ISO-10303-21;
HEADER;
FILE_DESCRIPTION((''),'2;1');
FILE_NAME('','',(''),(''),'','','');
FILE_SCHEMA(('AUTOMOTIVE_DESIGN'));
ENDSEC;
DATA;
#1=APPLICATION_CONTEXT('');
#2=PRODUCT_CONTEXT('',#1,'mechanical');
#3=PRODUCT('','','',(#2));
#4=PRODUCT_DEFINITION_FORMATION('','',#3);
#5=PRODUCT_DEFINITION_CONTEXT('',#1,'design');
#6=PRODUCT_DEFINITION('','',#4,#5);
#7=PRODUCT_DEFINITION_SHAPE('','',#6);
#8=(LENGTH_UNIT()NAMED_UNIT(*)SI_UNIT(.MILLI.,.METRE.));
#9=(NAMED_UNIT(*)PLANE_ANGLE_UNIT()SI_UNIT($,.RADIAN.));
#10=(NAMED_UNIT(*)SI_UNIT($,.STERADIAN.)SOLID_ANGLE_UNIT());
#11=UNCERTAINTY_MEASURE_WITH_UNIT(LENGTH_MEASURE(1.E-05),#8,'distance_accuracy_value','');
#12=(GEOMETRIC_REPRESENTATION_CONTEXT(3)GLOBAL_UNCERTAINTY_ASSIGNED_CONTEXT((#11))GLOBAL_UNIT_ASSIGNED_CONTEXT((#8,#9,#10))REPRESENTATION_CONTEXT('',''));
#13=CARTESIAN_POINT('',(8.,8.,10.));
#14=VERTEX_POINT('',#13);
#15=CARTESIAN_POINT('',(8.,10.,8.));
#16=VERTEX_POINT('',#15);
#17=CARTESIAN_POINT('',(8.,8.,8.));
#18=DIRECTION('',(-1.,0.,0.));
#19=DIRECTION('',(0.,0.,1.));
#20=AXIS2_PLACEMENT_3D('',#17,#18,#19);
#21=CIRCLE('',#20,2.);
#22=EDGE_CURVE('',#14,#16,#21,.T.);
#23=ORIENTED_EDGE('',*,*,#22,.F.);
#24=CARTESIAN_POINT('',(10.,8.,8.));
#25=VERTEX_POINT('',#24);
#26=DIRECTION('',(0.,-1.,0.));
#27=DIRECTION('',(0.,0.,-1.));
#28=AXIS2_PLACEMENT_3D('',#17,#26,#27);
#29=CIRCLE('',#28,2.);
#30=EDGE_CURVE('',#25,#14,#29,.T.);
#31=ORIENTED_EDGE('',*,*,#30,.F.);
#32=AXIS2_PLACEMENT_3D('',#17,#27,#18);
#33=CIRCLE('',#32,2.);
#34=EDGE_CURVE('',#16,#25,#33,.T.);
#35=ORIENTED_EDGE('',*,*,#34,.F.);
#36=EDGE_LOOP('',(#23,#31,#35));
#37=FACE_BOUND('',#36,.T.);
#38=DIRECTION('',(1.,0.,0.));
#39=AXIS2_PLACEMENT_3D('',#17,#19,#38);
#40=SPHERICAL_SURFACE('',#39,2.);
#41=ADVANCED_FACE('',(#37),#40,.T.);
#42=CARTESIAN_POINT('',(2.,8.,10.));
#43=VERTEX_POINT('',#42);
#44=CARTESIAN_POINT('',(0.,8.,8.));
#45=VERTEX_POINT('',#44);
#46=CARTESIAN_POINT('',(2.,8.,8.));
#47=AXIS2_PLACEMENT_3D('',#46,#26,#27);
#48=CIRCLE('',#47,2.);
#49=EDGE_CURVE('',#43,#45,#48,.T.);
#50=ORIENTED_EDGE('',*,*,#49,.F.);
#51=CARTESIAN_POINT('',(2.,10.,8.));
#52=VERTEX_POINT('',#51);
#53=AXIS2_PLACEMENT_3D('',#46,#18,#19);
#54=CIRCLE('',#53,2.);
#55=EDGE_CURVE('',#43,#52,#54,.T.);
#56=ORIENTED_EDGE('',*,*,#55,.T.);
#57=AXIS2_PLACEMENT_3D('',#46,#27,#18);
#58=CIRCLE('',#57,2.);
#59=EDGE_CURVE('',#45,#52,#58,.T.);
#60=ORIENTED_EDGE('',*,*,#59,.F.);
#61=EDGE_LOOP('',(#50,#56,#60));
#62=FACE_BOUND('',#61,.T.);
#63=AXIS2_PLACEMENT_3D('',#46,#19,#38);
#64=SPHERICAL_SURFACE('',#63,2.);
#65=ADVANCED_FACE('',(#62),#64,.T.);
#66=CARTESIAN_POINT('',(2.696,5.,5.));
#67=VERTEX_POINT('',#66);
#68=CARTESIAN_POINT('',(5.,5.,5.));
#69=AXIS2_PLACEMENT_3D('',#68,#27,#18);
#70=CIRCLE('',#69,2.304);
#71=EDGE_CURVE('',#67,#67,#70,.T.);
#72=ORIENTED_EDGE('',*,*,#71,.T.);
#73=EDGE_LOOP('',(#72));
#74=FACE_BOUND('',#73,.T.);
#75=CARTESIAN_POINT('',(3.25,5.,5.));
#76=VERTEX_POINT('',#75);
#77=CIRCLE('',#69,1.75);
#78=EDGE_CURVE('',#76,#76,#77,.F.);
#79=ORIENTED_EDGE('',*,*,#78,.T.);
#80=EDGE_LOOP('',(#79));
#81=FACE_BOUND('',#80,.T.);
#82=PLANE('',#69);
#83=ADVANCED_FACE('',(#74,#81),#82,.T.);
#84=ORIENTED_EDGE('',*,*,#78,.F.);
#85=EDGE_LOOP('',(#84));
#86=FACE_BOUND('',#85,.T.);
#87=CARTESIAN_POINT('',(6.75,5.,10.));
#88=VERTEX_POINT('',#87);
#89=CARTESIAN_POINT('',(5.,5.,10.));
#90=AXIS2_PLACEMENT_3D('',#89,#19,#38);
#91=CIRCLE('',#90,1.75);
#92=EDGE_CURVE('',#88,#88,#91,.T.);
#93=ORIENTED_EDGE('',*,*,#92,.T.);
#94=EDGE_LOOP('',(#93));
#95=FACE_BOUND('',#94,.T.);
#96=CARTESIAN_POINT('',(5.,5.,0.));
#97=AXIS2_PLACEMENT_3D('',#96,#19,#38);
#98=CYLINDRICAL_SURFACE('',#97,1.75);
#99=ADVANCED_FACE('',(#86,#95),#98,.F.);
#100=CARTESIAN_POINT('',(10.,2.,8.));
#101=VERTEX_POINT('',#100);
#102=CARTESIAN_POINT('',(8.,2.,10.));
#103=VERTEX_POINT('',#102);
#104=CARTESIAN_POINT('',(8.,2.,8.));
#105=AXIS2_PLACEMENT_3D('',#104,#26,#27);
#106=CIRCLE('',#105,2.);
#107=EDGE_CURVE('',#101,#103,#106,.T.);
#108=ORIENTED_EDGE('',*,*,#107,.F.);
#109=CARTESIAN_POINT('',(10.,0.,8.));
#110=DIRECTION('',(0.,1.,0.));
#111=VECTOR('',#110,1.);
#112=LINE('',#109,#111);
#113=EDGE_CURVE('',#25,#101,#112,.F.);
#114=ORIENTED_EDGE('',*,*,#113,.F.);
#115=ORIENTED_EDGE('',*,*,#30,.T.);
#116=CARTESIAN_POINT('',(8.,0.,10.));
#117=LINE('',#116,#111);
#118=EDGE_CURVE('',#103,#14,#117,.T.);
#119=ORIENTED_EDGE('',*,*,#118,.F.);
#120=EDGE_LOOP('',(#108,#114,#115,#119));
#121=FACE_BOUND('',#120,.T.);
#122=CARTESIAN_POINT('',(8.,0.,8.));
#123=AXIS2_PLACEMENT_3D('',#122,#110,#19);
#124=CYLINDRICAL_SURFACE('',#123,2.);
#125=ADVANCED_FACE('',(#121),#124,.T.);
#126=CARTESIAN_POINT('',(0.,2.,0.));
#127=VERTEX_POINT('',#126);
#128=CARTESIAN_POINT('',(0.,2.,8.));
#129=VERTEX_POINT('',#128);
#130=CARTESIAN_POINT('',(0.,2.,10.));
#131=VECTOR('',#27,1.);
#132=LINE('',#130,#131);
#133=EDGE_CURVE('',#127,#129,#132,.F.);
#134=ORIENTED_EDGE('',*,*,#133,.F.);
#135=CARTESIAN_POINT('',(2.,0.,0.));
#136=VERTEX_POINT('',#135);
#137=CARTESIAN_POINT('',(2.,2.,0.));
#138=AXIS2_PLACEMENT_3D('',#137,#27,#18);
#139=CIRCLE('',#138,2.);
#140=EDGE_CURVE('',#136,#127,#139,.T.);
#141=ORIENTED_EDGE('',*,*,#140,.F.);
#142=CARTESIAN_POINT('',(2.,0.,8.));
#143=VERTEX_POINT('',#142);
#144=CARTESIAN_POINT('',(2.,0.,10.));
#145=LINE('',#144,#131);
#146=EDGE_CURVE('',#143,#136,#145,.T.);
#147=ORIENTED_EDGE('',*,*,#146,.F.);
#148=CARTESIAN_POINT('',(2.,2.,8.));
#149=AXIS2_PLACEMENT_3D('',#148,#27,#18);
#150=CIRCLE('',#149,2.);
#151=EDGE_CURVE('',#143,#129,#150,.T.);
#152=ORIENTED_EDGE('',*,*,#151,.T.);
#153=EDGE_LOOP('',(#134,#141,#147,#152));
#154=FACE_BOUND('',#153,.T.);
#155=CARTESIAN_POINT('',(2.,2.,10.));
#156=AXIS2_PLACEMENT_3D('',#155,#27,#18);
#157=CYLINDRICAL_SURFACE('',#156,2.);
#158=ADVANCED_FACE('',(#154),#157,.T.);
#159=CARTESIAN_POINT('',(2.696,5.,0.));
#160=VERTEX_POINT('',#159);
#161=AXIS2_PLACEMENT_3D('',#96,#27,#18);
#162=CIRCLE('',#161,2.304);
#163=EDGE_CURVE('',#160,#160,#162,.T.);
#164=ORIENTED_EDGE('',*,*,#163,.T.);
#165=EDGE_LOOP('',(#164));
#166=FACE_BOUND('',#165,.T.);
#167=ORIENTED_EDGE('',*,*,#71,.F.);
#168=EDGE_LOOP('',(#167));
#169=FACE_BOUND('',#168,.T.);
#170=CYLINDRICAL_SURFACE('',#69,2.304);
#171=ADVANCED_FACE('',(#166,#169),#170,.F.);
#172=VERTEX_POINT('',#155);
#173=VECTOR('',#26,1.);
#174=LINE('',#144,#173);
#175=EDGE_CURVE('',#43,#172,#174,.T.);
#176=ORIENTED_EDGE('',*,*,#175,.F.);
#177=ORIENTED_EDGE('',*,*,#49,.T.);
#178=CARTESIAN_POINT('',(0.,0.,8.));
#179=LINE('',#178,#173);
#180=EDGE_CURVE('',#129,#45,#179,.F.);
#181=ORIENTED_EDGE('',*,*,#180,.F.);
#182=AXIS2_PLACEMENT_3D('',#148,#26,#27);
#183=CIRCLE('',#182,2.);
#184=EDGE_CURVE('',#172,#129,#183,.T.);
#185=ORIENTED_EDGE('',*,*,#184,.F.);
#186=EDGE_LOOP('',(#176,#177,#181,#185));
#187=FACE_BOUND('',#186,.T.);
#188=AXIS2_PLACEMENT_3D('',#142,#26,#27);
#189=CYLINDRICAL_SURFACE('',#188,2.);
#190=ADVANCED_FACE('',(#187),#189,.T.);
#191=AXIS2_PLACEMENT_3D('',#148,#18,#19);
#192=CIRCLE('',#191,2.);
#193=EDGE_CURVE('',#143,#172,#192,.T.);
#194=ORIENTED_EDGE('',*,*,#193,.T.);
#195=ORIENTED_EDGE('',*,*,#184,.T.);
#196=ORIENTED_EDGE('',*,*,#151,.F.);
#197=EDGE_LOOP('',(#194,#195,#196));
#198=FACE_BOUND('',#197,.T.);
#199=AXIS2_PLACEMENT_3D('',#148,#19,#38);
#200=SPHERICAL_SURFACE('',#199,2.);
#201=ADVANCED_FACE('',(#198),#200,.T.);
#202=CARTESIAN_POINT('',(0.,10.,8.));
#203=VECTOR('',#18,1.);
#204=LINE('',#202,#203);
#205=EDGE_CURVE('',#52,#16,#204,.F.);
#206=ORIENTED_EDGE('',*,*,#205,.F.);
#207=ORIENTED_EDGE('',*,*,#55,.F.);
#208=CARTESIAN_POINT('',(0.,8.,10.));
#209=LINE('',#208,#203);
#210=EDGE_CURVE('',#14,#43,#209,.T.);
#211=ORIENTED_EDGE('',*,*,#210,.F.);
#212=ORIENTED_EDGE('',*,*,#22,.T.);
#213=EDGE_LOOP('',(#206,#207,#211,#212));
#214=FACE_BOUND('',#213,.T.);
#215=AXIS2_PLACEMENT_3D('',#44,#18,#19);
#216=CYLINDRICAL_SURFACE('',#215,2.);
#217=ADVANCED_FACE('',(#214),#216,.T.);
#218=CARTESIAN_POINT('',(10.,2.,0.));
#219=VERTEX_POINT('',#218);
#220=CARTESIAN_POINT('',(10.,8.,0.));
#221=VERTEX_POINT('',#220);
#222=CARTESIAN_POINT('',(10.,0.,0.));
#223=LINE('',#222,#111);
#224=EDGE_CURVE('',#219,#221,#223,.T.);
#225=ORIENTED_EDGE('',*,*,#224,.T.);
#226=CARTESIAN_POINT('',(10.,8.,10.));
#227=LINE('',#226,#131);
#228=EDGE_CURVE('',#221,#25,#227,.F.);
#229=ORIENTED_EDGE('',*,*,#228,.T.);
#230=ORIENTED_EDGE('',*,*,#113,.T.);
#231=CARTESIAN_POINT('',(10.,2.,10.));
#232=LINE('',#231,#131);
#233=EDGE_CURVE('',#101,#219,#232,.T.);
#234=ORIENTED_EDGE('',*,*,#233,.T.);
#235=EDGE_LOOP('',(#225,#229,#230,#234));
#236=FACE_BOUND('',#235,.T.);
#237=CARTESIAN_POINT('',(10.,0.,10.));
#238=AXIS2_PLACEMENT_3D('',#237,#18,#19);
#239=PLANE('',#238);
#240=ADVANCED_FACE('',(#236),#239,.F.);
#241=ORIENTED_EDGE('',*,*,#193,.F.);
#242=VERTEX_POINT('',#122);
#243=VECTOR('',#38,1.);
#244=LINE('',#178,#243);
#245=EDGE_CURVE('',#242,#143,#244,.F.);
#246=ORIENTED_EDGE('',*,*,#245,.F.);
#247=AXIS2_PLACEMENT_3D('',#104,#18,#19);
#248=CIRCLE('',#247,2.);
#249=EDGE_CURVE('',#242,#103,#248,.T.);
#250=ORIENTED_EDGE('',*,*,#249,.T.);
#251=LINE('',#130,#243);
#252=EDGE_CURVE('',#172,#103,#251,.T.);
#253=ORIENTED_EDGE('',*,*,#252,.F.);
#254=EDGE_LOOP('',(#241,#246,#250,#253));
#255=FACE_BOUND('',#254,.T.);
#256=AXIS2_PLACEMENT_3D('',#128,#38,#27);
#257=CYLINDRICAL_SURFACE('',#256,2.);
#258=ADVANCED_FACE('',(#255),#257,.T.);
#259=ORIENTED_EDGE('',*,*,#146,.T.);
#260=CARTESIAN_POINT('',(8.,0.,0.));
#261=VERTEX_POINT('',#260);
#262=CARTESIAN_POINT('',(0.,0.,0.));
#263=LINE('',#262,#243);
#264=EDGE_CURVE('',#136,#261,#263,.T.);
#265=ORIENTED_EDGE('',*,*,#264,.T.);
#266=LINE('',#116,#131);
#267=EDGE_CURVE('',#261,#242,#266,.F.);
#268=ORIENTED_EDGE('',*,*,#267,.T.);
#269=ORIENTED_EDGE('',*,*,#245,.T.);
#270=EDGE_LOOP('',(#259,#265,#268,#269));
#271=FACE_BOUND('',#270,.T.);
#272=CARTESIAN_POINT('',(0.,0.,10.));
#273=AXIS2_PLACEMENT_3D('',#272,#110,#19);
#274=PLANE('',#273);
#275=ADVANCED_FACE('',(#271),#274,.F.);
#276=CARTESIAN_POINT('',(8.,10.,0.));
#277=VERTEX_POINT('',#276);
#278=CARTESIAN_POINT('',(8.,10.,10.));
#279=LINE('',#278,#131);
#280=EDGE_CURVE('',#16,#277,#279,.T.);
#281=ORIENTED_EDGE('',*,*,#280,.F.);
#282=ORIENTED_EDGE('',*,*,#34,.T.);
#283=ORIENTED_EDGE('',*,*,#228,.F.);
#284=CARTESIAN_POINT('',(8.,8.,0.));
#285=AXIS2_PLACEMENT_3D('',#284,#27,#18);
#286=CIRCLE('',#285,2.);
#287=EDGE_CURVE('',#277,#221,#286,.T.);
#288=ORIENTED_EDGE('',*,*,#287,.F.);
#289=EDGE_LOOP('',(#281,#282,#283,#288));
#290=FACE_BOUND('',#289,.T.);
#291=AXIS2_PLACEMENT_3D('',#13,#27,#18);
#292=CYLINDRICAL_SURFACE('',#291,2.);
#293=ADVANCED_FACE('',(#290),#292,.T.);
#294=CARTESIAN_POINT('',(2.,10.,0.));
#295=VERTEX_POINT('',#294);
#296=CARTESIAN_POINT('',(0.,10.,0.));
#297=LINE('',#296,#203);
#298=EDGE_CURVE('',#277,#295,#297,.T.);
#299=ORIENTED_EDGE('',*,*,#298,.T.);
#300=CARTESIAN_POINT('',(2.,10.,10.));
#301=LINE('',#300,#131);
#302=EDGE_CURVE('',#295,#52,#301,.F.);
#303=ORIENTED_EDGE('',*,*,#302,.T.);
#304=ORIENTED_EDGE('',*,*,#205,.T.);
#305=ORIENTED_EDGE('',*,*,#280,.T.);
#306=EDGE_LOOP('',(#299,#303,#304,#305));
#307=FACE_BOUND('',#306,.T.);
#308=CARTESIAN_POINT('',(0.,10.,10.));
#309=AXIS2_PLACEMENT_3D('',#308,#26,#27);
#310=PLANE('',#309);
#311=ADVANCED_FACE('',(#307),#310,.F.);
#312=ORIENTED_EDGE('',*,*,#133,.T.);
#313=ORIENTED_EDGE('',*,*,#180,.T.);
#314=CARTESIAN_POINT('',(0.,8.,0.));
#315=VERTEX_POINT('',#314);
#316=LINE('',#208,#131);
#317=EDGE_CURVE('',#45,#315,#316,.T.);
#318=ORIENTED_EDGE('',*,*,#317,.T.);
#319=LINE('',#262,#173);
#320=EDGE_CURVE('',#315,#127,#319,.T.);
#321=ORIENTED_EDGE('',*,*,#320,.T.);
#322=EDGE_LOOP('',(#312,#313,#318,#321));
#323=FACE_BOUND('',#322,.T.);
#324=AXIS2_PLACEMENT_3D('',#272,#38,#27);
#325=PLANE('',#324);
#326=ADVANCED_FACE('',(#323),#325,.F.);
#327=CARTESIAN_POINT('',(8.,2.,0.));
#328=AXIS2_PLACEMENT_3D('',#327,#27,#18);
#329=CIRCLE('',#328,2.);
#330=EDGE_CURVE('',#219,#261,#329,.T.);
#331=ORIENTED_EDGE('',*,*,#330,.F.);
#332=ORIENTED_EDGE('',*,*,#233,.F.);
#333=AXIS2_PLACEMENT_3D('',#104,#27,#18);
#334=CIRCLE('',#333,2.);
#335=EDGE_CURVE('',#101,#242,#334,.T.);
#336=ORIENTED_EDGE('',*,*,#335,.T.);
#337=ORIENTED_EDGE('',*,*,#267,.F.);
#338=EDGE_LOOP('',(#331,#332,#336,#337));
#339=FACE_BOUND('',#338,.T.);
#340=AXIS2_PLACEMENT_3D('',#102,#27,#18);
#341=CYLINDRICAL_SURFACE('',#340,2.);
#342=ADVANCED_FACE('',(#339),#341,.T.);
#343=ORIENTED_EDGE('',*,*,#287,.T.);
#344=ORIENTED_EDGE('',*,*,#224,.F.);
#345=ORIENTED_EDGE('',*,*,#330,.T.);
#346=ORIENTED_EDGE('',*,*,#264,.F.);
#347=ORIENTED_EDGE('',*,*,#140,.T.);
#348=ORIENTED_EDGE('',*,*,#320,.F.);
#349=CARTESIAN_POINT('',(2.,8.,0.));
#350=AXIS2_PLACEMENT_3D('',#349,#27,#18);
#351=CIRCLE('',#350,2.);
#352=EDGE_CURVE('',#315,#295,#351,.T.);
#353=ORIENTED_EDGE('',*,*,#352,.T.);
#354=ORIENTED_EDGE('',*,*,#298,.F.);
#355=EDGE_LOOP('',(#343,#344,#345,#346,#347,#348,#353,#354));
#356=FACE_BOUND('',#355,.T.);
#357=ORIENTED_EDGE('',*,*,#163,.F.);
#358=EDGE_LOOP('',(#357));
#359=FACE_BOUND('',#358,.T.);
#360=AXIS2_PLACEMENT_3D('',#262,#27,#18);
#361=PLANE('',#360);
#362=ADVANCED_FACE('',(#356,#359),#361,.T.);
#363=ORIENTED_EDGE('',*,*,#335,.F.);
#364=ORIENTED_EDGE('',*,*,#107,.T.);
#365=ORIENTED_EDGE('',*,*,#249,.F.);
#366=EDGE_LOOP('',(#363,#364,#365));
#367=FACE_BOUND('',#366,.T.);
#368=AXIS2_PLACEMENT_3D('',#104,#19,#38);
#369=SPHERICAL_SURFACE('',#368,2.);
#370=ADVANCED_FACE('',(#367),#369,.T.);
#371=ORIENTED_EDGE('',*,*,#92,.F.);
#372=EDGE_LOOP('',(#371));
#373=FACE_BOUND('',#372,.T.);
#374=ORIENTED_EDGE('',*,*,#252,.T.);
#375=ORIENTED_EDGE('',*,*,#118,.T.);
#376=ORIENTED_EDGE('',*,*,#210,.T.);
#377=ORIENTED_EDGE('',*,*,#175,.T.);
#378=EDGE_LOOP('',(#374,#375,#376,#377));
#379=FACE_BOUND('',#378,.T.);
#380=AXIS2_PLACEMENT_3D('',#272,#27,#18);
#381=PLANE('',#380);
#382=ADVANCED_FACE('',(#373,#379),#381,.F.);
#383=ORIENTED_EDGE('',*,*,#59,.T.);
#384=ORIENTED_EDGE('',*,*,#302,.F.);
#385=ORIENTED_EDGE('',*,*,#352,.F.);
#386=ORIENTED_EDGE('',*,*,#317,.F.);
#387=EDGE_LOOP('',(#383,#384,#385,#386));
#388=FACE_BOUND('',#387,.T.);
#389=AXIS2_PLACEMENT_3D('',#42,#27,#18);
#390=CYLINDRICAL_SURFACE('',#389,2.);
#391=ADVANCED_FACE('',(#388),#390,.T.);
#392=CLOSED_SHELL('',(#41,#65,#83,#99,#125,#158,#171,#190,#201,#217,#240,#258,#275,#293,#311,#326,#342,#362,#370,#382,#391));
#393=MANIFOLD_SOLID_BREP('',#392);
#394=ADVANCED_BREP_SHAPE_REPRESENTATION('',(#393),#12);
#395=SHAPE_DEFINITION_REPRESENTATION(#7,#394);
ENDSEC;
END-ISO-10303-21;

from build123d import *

# Parameters (mm, degrees)
SKETCH1_W           = 10
SKETCH1_H           = 10
BOSS_EXTRUDE1_DEPTH = 10
SKETCH2_R           = 1.75
CUT_EXTRUDE1_DEPTH  = 11
SKETCH3_R           = 2.304
CUT_EXTRUDE2_DEPTH  = 5
FILLET1_R           = 2
FILLET2_R           = 2


with BuildPart() as part:
    # Sketch1 → Boss-Extrude1 (new body)
    with BuildSketch(Plane.XY):
        with Locations((5, 5)):
            Rectangle(SKETCH1_W, SKETCH1_H)
    extrude(amount=BOSS_EXTRUDE1_DEPTH)

    # Sketch2 → Cut-Extrude1 (cut, through all)
    with BuildSketch(Plane.XY.offset(10)):
        with Locations((5, 5)):
            Circle(SKETCH2_R)
    extrude(amount=-CUT_EXTRUDE1_DEPTH, mode=Mode.SUBTRACT)

    # Sketch3 → Cut-Extrude2 (cut)
    with BuildSketch(Plane(origin=(0, 0, 0), x_dir=(-1, 0, 0), z_dir=(0, 0, -1))):
        with Locations((-5, 5)):
            Circle(SKETCH3_R)
    extrude(amount=-CUT_EXTRUDE2_DEPTH, mode=Mode.SUBTRACT)

    # Fillet1
    fillet1_edges = [part.edges().sort_by_distance(p)[0] for p in [
        (0, 10, 5),
        (10, 10, 5),
        (10, 0, 5),
        (0, 0, 5),
    ]]
    fillet(fillet1_edges, radius=FILLET1_R)

    # Fillet2
    fillet2_edges = [part.edges().sort_by_distance(p)[0] for p in [
        (5, 10, 10),
        (10, 5, 10),
        (0, 5, 10),
        (5, 0, 10),
        (9.414213562, 0.585786438, 10),
        (0.585786438, 0.585786438, 10),
        (0.585786438, 9.414213562, 10),
        (9.414213562, 9.414213562, 10),
    ]]
    fillet(fillet2_edges, radius=FILLET2_R)


solid = part.part
